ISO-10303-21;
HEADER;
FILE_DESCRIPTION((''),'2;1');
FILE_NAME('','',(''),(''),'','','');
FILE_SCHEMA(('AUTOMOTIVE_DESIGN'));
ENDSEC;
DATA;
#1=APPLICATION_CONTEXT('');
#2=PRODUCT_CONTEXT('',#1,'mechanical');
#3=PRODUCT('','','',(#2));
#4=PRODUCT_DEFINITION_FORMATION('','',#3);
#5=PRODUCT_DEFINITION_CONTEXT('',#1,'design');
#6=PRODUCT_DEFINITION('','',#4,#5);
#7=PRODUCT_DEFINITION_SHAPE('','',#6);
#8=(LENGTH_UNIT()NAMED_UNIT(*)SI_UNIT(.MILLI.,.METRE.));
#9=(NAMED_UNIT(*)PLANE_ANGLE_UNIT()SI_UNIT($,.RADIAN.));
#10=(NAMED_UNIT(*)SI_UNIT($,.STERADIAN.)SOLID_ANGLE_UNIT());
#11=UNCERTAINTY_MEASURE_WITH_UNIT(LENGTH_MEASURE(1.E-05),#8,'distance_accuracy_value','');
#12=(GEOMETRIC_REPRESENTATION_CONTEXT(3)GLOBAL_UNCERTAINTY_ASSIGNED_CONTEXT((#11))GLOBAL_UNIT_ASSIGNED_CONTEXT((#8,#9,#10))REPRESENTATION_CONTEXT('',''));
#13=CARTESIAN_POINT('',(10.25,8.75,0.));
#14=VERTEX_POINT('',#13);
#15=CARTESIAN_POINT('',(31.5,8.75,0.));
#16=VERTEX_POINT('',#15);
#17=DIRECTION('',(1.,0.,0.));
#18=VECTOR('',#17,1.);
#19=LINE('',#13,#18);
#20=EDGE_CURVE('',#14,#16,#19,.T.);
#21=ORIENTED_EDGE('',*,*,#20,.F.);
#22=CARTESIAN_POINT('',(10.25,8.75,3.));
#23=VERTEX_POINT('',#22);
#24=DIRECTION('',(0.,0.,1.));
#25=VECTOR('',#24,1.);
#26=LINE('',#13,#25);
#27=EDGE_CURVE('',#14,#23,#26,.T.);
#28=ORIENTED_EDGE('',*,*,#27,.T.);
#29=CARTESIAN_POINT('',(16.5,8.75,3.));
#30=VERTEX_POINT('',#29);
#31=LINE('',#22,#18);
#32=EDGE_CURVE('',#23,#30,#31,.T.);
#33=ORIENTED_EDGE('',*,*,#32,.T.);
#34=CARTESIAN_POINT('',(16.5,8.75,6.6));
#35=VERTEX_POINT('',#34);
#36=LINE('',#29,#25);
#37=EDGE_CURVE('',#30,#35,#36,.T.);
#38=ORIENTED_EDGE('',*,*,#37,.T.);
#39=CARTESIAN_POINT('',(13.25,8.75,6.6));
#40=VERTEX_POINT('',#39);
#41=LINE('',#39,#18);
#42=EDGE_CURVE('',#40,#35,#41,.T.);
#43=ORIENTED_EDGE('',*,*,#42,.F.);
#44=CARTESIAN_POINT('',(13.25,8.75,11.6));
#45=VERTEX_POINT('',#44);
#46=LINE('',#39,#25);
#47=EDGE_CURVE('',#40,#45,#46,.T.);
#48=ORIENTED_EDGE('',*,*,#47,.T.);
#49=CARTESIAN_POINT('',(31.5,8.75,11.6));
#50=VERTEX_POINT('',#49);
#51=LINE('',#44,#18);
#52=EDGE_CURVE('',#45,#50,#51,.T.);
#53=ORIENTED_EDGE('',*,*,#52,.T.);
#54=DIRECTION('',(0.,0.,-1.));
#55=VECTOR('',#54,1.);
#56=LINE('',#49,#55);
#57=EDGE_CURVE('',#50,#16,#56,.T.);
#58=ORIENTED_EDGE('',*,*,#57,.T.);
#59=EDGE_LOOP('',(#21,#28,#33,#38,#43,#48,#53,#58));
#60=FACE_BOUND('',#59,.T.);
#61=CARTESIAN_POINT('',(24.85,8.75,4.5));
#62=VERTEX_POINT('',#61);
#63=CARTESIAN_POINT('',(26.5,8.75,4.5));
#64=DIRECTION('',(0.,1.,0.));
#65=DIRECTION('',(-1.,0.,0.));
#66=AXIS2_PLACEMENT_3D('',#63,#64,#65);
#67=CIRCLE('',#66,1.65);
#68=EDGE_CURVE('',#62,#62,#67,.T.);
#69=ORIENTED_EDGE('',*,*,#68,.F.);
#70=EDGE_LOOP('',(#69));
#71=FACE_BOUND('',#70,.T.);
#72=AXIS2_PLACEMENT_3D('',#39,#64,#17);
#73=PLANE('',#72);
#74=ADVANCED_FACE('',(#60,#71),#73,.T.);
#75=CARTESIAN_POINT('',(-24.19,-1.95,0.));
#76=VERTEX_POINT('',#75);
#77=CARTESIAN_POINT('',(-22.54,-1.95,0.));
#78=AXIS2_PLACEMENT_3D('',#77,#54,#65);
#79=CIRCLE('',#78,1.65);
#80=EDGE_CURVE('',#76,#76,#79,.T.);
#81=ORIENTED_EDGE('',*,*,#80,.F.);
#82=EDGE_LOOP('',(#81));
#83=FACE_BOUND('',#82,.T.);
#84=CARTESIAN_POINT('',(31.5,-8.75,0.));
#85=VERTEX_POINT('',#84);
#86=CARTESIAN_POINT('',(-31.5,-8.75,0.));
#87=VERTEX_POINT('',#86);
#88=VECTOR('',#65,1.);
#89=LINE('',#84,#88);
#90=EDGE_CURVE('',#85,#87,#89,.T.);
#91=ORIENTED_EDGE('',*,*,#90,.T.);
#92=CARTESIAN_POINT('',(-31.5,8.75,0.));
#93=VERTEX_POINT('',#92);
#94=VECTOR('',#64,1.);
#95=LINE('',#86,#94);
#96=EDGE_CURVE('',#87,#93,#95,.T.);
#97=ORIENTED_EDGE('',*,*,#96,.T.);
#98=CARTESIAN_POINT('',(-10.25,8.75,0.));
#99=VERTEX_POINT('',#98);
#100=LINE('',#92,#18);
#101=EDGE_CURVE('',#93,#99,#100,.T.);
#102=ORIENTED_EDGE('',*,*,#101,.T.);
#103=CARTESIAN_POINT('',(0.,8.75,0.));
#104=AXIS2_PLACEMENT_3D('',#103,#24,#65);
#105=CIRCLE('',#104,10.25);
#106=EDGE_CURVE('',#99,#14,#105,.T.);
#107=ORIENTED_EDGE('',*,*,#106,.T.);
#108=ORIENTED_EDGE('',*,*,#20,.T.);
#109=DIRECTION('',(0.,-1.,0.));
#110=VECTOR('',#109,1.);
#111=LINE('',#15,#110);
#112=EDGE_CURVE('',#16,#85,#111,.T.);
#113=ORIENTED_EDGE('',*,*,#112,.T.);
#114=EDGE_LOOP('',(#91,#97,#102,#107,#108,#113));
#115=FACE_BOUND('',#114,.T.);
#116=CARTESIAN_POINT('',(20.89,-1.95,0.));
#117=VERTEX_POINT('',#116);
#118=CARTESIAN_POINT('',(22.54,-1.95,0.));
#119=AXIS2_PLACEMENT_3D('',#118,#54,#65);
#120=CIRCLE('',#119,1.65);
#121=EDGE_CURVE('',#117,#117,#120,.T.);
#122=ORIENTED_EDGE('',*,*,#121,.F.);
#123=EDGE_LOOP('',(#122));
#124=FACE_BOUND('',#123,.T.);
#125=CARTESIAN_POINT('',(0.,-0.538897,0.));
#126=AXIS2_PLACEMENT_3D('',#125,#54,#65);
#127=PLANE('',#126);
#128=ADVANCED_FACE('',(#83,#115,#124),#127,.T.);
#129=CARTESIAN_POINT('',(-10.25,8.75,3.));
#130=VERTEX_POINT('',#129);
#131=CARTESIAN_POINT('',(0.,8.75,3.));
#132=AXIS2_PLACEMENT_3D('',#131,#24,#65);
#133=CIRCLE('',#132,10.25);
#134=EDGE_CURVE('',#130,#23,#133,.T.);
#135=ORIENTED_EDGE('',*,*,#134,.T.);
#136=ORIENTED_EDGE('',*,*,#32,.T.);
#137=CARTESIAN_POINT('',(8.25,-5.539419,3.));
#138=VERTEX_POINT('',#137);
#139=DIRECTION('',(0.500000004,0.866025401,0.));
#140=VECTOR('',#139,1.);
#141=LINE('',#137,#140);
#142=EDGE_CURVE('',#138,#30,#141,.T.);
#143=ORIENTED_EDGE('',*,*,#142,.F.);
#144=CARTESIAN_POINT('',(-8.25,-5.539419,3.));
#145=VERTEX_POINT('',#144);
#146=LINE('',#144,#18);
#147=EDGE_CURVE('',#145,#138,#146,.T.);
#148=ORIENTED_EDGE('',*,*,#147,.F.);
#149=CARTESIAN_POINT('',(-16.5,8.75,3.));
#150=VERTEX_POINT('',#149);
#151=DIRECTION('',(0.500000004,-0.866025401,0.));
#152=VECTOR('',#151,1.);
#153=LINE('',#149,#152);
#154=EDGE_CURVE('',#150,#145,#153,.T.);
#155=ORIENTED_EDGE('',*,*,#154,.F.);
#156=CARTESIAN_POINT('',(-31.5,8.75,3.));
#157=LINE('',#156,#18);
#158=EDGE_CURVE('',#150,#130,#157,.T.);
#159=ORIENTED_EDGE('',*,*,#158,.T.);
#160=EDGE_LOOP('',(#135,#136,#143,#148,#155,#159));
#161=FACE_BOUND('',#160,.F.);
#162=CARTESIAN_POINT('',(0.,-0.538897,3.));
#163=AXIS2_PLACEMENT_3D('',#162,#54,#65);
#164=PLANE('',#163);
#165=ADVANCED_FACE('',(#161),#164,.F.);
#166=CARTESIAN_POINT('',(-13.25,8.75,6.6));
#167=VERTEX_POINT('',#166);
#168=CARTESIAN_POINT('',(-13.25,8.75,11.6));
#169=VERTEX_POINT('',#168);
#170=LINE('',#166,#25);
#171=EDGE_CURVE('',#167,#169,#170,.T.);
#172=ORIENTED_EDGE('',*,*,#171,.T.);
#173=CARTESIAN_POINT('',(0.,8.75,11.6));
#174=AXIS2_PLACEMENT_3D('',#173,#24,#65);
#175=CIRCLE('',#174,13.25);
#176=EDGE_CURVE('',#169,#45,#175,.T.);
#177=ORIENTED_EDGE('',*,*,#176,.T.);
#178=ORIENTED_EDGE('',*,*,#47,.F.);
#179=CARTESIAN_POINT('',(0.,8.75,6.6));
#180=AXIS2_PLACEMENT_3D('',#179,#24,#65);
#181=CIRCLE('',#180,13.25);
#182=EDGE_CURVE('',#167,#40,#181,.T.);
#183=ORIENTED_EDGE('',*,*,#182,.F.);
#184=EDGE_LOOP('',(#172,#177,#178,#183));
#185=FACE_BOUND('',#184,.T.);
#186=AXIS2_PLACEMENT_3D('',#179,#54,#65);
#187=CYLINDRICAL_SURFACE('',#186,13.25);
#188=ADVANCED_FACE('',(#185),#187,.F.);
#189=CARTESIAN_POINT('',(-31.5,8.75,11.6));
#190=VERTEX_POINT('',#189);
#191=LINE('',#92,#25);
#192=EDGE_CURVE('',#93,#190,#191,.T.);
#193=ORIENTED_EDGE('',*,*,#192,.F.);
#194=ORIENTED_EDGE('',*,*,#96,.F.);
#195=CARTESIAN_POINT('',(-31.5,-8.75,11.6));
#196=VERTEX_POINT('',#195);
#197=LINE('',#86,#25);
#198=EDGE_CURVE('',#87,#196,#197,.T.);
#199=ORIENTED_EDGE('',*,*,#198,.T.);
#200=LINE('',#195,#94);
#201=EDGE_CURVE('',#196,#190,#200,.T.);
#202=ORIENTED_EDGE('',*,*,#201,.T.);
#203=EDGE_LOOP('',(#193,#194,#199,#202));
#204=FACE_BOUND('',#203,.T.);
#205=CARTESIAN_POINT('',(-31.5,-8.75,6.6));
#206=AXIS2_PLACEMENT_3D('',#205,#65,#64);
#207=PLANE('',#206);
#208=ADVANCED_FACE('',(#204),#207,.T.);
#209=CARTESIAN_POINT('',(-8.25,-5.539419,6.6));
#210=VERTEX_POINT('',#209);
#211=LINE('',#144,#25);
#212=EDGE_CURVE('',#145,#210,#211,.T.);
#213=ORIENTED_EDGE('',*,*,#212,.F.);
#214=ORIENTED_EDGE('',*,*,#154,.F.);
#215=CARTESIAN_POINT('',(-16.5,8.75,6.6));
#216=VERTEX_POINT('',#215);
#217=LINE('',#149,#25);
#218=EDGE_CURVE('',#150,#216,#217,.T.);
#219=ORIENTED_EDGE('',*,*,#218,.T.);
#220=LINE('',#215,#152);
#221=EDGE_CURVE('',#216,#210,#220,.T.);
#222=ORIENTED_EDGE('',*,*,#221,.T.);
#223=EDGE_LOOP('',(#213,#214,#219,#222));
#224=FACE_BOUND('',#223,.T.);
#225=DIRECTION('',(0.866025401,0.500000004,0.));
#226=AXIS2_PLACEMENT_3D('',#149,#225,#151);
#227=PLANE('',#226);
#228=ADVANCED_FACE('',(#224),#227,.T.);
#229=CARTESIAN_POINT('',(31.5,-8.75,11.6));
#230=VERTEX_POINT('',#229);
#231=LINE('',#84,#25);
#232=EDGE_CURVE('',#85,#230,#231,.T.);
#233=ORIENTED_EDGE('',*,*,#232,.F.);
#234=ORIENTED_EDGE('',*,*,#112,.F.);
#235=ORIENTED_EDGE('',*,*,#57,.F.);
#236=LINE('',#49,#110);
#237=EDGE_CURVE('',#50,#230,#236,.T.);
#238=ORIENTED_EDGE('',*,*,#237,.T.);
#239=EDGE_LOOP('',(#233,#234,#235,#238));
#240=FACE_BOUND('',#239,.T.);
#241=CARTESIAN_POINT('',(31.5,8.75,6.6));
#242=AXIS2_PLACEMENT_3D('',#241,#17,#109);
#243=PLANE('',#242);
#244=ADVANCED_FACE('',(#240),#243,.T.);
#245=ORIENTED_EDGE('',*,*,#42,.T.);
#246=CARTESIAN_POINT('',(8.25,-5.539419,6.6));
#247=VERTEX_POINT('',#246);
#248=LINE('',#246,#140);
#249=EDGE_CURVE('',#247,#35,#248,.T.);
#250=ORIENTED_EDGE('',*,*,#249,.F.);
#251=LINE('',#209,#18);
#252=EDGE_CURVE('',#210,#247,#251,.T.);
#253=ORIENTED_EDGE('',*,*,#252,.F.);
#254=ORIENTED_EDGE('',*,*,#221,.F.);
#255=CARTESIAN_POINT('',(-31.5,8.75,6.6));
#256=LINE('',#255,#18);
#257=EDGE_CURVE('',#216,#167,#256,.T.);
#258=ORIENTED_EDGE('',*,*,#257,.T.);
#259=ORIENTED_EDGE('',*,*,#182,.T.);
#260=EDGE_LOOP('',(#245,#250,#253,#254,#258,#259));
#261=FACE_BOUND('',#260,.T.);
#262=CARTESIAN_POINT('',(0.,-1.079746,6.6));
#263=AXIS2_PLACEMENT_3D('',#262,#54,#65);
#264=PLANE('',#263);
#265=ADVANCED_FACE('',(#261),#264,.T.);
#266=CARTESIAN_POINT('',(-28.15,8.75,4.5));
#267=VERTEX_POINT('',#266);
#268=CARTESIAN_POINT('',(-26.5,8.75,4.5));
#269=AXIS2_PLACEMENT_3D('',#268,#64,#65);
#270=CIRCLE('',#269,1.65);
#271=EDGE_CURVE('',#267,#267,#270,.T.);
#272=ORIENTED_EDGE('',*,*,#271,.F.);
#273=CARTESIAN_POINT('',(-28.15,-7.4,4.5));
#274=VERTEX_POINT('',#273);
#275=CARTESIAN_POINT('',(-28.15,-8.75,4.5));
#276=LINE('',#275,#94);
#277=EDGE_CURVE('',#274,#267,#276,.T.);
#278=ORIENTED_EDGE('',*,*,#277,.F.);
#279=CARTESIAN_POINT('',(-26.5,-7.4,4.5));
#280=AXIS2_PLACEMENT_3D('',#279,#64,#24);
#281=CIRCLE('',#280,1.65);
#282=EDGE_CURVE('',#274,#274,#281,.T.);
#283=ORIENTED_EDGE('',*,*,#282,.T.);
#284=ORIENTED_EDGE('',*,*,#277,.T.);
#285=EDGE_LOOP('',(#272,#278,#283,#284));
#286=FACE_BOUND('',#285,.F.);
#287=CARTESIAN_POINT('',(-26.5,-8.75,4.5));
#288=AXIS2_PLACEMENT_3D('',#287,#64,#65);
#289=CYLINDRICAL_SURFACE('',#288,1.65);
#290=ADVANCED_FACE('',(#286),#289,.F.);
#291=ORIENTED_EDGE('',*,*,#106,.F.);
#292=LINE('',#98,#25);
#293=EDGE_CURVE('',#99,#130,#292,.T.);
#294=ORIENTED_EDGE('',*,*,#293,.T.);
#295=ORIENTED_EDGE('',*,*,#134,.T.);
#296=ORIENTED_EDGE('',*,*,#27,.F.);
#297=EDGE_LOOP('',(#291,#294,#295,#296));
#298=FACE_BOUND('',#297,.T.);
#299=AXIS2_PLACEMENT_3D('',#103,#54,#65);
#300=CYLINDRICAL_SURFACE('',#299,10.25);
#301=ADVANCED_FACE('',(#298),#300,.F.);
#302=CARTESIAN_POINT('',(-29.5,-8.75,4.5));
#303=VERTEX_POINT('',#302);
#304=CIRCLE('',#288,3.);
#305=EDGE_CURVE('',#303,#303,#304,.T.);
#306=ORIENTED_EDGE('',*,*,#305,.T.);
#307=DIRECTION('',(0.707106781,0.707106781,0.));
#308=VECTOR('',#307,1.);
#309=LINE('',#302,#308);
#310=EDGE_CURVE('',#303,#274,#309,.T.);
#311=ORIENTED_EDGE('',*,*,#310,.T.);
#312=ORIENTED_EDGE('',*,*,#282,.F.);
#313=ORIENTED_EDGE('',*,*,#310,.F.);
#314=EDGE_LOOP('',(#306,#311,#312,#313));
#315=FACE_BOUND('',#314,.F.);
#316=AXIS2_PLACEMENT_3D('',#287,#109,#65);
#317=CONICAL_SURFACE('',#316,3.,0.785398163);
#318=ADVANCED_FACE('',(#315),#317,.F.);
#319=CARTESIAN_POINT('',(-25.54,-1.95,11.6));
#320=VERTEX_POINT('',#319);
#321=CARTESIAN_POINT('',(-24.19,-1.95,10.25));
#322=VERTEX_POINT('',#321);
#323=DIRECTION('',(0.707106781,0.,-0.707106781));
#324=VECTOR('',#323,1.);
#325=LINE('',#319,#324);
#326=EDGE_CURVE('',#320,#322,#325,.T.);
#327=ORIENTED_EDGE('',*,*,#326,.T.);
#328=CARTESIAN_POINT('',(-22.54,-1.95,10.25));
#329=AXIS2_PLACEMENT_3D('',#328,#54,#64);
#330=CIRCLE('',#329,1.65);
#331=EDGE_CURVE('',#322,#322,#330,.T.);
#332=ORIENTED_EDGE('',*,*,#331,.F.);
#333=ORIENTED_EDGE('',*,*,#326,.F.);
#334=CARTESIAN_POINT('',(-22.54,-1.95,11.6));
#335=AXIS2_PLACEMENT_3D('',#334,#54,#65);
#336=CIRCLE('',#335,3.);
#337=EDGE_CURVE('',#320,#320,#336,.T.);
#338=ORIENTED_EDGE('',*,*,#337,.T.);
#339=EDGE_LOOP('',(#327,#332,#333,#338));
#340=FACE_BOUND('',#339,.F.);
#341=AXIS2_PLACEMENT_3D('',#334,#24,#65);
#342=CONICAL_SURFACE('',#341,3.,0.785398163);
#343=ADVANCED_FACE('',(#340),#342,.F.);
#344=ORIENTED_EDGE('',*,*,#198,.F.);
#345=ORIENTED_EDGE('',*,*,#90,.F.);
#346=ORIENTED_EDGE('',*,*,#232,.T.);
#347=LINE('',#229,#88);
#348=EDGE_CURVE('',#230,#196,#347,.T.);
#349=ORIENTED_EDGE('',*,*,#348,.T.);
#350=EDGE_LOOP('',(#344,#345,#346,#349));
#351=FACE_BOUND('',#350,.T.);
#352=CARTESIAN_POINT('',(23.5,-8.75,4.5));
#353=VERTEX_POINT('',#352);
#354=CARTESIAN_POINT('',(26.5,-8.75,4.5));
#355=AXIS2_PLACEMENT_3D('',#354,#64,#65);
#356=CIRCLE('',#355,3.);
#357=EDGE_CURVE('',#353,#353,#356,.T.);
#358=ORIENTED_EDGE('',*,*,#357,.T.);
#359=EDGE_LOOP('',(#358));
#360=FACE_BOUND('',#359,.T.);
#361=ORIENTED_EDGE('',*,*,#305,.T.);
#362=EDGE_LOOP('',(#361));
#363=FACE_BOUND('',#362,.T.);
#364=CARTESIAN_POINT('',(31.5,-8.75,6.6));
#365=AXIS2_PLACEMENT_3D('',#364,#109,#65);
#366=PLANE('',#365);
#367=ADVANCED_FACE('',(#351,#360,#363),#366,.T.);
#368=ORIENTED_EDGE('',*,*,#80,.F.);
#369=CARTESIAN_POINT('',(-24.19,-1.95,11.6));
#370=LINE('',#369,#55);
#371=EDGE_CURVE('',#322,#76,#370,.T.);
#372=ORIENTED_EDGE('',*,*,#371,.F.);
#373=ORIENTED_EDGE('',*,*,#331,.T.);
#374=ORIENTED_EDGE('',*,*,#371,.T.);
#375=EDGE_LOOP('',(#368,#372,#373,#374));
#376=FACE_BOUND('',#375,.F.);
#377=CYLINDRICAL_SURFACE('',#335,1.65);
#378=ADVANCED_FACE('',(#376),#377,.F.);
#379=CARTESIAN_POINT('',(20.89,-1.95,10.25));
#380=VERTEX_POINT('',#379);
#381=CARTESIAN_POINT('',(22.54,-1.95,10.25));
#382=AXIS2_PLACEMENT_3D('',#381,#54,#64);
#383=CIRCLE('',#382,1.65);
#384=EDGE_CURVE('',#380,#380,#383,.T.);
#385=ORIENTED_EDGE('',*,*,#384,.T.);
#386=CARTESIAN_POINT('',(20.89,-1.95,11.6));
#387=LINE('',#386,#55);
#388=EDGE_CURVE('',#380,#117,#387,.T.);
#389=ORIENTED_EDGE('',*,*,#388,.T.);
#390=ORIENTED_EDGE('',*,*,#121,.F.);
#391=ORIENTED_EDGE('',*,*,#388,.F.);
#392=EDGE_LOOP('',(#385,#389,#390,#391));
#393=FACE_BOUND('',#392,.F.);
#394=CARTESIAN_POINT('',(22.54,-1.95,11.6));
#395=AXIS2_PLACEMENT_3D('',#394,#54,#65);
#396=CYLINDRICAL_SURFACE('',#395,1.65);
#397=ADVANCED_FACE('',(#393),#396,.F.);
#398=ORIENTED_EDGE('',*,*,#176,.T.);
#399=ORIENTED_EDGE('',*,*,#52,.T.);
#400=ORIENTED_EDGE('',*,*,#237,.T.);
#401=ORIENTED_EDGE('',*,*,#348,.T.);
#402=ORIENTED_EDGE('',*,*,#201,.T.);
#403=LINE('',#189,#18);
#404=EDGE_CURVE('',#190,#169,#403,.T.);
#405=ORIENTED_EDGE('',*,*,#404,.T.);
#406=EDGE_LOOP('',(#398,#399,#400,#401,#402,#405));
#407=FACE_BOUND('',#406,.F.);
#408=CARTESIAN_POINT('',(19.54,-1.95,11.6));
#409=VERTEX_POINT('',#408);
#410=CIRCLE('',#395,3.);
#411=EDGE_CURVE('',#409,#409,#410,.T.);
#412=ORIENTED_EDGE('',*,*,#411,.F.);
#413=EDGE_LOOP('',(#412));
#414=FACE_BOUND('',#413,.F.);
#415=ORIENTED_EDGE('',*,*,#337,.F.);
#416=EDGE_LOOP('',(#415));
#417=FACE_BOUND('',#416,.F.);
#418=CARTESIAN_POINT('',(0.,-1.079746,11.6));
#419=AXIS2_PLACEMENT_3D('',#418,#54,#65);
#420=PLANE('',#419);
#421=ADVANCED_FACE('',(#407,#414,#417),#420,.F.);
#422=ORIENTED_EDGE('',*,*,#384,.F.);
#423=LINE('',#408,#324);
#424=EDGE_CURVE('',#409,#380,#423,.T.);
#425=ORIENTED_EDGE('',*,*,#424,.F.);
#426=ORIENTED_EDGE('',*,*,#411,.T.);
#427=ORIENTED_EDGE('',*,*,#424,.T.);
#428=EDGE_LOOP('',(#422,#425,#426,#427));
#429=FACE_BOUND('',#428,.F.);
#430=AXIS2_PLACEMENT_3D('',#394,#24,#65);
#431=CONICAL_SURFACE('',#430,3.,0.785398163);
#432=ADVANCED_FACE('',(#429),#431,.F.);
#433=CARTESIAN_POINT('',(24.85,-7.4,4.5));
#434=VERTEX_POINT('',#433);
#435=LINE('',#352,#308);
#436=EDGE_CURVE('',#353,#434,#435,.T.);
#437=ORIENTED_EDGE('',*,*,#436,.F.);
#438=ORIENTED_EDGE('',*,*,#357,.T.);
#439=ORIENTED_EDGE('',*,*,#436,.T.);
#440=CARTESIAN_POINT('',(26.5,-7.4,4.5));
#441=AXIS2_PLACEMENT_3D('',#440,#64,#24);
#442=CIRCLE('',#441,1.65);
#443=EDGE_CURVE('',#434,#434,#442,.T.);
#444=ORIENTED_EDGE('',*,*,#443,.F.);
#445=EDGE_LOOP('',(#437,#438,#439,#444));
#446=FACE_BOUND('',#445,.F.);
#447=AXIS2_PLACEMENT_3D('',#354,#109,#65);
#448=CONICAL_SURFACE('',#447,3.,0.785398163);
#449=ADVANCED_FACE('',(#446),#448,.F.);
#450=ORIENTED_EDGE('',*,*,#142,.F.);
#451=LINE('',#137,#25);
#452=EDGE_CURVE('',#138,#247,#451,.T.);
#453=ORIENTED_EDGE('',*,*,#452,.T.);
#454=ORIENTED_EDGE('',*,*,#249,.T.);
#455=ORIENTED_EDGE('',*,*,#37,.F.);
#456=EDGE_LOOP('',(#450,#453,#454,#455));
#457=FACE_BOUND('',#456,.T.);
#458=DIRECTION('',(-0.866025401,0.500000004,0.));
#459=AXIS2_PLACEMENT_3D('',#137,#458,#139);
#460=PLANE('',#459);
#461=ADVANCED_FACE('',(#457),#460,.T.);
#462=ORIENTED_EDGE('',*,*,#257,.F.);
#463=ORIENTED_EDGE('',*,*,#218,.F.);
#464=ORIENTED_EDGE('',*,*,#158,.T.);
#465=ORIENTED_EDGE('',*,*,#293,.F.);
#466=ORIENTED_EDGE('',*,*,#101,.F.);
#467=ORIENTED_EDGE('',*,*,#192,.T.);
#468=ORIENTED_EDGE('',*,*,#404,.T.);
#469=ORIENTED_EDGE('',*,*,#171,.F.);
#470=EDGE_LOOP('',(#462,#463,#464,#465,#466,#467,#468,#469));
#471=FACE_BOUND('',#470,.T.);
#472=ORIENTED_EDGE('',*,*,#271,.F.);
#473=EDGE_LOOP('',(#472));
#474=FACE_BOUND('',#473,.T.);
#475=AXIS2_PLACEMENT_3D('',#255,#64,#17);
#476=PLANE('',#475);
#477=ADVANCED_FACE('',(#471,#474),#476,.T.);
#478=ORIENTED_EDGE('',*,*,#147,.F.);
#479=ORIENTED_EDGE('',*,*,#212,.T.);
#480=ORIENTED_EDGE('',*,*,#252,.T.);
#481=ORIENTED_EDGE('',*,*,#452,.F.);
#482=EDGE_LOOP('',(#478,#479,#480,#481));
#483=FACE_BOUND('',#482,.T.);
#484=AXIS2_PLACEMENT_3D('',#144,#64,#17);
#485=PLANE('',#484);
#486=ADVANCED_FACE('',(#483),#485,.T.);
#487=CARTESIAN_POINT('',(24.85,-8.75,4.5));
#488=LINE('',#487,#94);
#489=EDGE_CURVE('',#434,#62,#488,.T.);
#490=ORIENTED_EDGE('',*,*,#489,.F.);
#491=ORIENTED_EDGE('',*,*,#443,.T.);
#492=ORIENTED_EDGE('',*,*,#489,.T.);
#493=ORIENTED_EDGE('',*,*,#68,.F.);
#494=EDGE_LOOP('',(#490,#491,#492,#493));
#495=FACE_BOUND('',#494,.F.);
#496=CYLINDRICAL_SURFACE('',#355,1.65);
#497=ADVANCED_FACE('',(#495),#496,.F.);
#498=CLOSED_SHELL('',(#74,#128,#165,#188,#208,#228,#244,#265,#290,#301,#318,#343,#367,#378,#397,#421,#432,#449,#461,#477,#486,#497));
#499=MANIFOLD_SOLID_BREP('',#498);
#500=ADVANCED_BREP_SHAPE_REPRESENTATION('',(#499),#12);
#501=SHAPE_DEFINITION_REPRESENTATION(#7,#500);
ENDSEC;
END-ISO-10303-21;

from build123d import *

# Parameters (mm, degrees)
PAD_DEPTH           = 3
PAD001_DEPTH        = 3.6
PAD002_DEPTH        = 5
HOLE001_D           = 3.3
HOLE001_DEPTH       = 25
HOLE001_CSINK_D     = 6
HOLE001_CSINK_ANGLE = 90
HOLE_D              = 3.3
HOLE_DEPTH          = 25
HOLE_CSINK_D        = 6
HOLE_CSINK_ANGLE    = 90


with BuildPart() as part:
    # Sketch → Pad (new body)
    with BuildSketch(Plane.XY):
        with BuildLine():
            Line((-31.5, 8.75), (-10.25, 8.75))
            ThreePointArc((-10.25, 8.75), (0, -1.5), (10.25, 8.75))
            Line((10.25, 8.75), (31.5, 8.75))
            Line((31.5, 8.75), (31.5, -8.75))
            Line((31.5, -8.75), (-31.5, -8.75))
            Line((-31.5, -8.75), (-31.5, 8.75))
        make_face()
    extrude(amount=PAD_DEPTH)

    # Sketch001 (on Face8 of Pad) → Pad001 (join)
    with BuildSketch(Plane.XY.offset(3)):
        Polygon((8.25, -5.539419), (16.5, 8.75), (31.5, 8.75), (31.5, -8.75), (-31.5, -8.75), (-31.5, 8.75), (-16.5, 8.75), (-8.25, -5.539419), align=None)
    extrude(amount=PAD001_DEPTH)

    # Sketch002 (on Face15 of Pad001) → Pad002 (join)
    with BuildSketch(Plane.XY.offset(6.6)):
        with BuildLine():
            Line((-31.5, 8.75), (-13.25, 8.75))
            ThreePointArc((-13.25, 8.75), (0, -4.5), (13.25, 8.75))
            Line((13.25, 8.75), (31.5, 8.75))
            Line((31.5, 8.75), (31.5, -8.75))
            Line((31.5, -8.75), (-31.5, -8.75))
            Line((-31.5, -8.75), (-31.5, 8.75))
        make_face()
    extrude(amount=PAD002_DEPTH)

    # Hole001
    with Locations(Plane.XY.offset(11.6)):
        with Locations((-22.54, -1.95), (22.54, -1.95)):
            CounterSinkHole(HOLE001_D / 2, HOLE001_CSINK_D / 2, depth=HOLE001_DEPTH, counter_sink_angle=HOLE001_CSINK_ANGLE)

    # Hole
    with Locations(Plane.XZ.offset(8.75)):
        with Locations((26.5, 4.5), (-26.5, 4.5)):
            CounterSinkHole(HOLE_D / 2, HOLE_CSINK_D / 2, depth=HOLE_DEPTH, counter_sink_angle=HOLE_CSINK_ANGLE)


solid = part.part
